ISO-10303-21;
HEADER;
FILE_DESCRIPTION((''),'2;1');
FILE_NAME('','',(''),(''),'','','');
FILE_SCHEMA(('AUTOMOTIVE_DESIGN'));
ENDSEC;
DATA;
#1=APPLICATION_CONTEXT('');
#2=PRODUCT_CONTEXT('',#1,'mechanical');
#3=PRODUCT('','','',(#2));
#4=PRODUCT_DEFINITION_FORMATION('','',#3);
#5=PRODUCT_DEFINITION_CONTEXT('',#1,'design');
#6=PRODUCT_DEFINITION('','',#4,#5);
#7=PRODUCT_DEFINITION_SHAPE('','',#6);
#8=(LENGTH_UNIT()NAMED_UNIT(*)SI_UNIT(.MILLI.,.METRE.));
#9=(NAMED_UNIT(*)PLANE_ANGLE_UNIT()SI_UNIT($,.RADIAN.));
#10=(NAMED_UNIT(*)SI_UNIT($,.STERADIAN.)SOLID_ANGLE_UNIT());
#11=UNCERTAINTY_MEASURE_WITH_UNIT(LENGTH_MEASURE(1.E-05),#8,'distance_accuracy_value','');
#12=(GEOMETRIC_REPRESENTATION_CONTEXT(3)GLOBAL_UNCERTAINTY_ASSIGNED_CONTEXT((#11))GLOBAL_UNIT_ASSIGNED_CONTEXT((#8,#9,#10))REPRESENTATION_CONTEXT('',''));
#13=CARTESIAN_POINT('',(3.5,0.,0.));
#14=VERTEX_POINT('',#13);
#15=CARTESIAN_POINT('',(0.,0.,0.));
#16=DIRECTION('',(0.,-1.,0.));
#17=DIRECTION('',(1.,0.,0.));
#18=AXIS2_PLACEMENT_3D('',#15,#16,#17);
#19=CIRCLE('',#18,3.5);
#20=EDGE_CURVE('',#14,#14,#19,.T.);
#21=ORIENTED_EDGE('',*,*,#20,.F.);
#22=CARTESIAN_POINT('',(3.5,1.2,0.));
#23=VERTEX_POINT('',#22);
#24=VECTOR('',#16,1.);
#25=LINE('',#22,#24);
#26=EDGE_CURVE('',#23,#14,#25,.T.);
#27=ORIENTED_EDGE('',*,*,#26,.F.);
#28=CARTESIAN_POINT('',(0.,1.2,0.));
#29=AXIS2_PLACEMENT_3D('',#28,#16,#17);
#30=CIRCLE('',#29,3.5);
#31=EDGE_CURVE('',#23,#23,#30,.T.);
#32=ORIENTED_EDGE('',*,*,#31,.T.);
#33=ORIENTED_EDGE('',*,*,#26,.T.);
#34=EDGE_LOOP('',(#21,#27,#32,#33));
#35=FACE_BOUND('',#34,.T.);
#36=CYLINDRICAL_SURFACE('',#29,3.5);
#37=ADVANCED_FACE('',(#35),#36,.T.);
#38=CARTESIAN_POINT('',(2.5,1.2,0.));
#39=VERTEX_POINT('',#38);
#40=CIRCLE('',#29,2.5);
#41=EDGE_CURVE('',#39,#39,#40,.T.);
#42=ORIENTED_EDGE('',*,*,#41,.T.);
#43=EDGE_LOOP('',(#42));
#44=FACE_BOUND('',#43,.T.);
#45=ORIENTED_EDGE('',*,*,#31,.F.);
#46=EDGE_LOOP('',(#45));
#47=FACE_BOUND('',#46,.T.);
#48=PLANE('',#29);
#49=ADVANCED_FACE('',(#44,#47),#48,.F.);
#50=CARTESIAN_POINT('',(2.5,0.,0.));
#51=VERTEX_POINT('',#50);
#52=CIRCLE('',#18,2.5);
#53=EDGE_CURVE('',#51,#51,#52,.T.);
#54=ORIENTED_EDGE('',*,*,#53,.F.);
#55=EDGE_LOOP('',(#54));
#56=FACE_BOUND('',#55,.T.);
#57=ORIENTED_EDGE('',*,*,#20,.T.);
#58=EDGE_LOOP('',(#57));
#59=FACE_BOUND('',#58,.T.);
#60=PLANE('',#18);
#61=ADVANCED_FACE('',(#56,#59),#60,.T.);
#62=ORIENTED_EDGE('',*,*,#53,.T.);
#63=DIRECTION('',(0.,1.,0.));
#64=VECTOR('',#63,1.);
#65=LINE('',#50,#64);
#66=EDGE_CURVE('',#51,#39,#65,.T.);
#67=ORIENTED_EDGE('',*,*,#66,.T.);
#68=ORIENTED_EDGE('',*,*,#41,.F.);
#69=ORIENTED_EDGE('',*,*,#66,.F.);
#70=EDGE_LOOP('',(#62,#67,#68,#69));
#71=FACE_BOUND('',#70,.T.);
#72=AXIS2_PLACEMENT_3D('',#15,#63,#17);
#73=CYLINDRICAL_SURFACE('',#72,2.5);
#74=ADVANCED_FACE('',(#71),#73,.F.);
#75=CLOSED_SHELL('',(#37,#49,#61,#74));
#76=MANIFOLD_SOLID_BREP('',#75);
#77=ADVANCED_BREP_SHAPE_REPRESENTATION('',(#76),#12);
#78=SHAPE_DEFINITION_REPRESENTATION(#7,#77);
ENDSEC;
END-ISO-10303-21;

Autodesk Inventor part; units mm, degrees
ref_plane "YZ Plane" through (0, 0, 0) normal (1, 0, 0) x (0, 1, 0)
ref_plane "XZ Plane" through (0, 0, 0) normal (0, 1, 0) x (-1, 0, 0)
ref_plane "XY Plane" through (0, 0, 0) normal (0, 0, 1) x (1, 0, 0)
sketch "Skizze3" plane through (0, 0, 0) normal (0, 0, 1) x (1, 0, 0)
  line L0 (2.5, 0) -> (2.5, 1.2)
  line L1 (2.5, 1.2) -> (3.5, 1.2)
  line L2 (3.5, 1.2) -> (3.5, 0)
  line L3 (3.5, 0) -> (2.5, 0)
  line L4 (0, -2.096) -> (0, 2.197)
  point P0 (0, 0)
  dimension "d5" = 5
  dimension "d6" = 7
  dimension "d7" = 1.2
revolve "Umdrehung1" add sketch "Skizze3" angle 360 about axis through (0, -2.096, 0) along (0, -1, 0)
properties part number "BT306_trajan20_21"
